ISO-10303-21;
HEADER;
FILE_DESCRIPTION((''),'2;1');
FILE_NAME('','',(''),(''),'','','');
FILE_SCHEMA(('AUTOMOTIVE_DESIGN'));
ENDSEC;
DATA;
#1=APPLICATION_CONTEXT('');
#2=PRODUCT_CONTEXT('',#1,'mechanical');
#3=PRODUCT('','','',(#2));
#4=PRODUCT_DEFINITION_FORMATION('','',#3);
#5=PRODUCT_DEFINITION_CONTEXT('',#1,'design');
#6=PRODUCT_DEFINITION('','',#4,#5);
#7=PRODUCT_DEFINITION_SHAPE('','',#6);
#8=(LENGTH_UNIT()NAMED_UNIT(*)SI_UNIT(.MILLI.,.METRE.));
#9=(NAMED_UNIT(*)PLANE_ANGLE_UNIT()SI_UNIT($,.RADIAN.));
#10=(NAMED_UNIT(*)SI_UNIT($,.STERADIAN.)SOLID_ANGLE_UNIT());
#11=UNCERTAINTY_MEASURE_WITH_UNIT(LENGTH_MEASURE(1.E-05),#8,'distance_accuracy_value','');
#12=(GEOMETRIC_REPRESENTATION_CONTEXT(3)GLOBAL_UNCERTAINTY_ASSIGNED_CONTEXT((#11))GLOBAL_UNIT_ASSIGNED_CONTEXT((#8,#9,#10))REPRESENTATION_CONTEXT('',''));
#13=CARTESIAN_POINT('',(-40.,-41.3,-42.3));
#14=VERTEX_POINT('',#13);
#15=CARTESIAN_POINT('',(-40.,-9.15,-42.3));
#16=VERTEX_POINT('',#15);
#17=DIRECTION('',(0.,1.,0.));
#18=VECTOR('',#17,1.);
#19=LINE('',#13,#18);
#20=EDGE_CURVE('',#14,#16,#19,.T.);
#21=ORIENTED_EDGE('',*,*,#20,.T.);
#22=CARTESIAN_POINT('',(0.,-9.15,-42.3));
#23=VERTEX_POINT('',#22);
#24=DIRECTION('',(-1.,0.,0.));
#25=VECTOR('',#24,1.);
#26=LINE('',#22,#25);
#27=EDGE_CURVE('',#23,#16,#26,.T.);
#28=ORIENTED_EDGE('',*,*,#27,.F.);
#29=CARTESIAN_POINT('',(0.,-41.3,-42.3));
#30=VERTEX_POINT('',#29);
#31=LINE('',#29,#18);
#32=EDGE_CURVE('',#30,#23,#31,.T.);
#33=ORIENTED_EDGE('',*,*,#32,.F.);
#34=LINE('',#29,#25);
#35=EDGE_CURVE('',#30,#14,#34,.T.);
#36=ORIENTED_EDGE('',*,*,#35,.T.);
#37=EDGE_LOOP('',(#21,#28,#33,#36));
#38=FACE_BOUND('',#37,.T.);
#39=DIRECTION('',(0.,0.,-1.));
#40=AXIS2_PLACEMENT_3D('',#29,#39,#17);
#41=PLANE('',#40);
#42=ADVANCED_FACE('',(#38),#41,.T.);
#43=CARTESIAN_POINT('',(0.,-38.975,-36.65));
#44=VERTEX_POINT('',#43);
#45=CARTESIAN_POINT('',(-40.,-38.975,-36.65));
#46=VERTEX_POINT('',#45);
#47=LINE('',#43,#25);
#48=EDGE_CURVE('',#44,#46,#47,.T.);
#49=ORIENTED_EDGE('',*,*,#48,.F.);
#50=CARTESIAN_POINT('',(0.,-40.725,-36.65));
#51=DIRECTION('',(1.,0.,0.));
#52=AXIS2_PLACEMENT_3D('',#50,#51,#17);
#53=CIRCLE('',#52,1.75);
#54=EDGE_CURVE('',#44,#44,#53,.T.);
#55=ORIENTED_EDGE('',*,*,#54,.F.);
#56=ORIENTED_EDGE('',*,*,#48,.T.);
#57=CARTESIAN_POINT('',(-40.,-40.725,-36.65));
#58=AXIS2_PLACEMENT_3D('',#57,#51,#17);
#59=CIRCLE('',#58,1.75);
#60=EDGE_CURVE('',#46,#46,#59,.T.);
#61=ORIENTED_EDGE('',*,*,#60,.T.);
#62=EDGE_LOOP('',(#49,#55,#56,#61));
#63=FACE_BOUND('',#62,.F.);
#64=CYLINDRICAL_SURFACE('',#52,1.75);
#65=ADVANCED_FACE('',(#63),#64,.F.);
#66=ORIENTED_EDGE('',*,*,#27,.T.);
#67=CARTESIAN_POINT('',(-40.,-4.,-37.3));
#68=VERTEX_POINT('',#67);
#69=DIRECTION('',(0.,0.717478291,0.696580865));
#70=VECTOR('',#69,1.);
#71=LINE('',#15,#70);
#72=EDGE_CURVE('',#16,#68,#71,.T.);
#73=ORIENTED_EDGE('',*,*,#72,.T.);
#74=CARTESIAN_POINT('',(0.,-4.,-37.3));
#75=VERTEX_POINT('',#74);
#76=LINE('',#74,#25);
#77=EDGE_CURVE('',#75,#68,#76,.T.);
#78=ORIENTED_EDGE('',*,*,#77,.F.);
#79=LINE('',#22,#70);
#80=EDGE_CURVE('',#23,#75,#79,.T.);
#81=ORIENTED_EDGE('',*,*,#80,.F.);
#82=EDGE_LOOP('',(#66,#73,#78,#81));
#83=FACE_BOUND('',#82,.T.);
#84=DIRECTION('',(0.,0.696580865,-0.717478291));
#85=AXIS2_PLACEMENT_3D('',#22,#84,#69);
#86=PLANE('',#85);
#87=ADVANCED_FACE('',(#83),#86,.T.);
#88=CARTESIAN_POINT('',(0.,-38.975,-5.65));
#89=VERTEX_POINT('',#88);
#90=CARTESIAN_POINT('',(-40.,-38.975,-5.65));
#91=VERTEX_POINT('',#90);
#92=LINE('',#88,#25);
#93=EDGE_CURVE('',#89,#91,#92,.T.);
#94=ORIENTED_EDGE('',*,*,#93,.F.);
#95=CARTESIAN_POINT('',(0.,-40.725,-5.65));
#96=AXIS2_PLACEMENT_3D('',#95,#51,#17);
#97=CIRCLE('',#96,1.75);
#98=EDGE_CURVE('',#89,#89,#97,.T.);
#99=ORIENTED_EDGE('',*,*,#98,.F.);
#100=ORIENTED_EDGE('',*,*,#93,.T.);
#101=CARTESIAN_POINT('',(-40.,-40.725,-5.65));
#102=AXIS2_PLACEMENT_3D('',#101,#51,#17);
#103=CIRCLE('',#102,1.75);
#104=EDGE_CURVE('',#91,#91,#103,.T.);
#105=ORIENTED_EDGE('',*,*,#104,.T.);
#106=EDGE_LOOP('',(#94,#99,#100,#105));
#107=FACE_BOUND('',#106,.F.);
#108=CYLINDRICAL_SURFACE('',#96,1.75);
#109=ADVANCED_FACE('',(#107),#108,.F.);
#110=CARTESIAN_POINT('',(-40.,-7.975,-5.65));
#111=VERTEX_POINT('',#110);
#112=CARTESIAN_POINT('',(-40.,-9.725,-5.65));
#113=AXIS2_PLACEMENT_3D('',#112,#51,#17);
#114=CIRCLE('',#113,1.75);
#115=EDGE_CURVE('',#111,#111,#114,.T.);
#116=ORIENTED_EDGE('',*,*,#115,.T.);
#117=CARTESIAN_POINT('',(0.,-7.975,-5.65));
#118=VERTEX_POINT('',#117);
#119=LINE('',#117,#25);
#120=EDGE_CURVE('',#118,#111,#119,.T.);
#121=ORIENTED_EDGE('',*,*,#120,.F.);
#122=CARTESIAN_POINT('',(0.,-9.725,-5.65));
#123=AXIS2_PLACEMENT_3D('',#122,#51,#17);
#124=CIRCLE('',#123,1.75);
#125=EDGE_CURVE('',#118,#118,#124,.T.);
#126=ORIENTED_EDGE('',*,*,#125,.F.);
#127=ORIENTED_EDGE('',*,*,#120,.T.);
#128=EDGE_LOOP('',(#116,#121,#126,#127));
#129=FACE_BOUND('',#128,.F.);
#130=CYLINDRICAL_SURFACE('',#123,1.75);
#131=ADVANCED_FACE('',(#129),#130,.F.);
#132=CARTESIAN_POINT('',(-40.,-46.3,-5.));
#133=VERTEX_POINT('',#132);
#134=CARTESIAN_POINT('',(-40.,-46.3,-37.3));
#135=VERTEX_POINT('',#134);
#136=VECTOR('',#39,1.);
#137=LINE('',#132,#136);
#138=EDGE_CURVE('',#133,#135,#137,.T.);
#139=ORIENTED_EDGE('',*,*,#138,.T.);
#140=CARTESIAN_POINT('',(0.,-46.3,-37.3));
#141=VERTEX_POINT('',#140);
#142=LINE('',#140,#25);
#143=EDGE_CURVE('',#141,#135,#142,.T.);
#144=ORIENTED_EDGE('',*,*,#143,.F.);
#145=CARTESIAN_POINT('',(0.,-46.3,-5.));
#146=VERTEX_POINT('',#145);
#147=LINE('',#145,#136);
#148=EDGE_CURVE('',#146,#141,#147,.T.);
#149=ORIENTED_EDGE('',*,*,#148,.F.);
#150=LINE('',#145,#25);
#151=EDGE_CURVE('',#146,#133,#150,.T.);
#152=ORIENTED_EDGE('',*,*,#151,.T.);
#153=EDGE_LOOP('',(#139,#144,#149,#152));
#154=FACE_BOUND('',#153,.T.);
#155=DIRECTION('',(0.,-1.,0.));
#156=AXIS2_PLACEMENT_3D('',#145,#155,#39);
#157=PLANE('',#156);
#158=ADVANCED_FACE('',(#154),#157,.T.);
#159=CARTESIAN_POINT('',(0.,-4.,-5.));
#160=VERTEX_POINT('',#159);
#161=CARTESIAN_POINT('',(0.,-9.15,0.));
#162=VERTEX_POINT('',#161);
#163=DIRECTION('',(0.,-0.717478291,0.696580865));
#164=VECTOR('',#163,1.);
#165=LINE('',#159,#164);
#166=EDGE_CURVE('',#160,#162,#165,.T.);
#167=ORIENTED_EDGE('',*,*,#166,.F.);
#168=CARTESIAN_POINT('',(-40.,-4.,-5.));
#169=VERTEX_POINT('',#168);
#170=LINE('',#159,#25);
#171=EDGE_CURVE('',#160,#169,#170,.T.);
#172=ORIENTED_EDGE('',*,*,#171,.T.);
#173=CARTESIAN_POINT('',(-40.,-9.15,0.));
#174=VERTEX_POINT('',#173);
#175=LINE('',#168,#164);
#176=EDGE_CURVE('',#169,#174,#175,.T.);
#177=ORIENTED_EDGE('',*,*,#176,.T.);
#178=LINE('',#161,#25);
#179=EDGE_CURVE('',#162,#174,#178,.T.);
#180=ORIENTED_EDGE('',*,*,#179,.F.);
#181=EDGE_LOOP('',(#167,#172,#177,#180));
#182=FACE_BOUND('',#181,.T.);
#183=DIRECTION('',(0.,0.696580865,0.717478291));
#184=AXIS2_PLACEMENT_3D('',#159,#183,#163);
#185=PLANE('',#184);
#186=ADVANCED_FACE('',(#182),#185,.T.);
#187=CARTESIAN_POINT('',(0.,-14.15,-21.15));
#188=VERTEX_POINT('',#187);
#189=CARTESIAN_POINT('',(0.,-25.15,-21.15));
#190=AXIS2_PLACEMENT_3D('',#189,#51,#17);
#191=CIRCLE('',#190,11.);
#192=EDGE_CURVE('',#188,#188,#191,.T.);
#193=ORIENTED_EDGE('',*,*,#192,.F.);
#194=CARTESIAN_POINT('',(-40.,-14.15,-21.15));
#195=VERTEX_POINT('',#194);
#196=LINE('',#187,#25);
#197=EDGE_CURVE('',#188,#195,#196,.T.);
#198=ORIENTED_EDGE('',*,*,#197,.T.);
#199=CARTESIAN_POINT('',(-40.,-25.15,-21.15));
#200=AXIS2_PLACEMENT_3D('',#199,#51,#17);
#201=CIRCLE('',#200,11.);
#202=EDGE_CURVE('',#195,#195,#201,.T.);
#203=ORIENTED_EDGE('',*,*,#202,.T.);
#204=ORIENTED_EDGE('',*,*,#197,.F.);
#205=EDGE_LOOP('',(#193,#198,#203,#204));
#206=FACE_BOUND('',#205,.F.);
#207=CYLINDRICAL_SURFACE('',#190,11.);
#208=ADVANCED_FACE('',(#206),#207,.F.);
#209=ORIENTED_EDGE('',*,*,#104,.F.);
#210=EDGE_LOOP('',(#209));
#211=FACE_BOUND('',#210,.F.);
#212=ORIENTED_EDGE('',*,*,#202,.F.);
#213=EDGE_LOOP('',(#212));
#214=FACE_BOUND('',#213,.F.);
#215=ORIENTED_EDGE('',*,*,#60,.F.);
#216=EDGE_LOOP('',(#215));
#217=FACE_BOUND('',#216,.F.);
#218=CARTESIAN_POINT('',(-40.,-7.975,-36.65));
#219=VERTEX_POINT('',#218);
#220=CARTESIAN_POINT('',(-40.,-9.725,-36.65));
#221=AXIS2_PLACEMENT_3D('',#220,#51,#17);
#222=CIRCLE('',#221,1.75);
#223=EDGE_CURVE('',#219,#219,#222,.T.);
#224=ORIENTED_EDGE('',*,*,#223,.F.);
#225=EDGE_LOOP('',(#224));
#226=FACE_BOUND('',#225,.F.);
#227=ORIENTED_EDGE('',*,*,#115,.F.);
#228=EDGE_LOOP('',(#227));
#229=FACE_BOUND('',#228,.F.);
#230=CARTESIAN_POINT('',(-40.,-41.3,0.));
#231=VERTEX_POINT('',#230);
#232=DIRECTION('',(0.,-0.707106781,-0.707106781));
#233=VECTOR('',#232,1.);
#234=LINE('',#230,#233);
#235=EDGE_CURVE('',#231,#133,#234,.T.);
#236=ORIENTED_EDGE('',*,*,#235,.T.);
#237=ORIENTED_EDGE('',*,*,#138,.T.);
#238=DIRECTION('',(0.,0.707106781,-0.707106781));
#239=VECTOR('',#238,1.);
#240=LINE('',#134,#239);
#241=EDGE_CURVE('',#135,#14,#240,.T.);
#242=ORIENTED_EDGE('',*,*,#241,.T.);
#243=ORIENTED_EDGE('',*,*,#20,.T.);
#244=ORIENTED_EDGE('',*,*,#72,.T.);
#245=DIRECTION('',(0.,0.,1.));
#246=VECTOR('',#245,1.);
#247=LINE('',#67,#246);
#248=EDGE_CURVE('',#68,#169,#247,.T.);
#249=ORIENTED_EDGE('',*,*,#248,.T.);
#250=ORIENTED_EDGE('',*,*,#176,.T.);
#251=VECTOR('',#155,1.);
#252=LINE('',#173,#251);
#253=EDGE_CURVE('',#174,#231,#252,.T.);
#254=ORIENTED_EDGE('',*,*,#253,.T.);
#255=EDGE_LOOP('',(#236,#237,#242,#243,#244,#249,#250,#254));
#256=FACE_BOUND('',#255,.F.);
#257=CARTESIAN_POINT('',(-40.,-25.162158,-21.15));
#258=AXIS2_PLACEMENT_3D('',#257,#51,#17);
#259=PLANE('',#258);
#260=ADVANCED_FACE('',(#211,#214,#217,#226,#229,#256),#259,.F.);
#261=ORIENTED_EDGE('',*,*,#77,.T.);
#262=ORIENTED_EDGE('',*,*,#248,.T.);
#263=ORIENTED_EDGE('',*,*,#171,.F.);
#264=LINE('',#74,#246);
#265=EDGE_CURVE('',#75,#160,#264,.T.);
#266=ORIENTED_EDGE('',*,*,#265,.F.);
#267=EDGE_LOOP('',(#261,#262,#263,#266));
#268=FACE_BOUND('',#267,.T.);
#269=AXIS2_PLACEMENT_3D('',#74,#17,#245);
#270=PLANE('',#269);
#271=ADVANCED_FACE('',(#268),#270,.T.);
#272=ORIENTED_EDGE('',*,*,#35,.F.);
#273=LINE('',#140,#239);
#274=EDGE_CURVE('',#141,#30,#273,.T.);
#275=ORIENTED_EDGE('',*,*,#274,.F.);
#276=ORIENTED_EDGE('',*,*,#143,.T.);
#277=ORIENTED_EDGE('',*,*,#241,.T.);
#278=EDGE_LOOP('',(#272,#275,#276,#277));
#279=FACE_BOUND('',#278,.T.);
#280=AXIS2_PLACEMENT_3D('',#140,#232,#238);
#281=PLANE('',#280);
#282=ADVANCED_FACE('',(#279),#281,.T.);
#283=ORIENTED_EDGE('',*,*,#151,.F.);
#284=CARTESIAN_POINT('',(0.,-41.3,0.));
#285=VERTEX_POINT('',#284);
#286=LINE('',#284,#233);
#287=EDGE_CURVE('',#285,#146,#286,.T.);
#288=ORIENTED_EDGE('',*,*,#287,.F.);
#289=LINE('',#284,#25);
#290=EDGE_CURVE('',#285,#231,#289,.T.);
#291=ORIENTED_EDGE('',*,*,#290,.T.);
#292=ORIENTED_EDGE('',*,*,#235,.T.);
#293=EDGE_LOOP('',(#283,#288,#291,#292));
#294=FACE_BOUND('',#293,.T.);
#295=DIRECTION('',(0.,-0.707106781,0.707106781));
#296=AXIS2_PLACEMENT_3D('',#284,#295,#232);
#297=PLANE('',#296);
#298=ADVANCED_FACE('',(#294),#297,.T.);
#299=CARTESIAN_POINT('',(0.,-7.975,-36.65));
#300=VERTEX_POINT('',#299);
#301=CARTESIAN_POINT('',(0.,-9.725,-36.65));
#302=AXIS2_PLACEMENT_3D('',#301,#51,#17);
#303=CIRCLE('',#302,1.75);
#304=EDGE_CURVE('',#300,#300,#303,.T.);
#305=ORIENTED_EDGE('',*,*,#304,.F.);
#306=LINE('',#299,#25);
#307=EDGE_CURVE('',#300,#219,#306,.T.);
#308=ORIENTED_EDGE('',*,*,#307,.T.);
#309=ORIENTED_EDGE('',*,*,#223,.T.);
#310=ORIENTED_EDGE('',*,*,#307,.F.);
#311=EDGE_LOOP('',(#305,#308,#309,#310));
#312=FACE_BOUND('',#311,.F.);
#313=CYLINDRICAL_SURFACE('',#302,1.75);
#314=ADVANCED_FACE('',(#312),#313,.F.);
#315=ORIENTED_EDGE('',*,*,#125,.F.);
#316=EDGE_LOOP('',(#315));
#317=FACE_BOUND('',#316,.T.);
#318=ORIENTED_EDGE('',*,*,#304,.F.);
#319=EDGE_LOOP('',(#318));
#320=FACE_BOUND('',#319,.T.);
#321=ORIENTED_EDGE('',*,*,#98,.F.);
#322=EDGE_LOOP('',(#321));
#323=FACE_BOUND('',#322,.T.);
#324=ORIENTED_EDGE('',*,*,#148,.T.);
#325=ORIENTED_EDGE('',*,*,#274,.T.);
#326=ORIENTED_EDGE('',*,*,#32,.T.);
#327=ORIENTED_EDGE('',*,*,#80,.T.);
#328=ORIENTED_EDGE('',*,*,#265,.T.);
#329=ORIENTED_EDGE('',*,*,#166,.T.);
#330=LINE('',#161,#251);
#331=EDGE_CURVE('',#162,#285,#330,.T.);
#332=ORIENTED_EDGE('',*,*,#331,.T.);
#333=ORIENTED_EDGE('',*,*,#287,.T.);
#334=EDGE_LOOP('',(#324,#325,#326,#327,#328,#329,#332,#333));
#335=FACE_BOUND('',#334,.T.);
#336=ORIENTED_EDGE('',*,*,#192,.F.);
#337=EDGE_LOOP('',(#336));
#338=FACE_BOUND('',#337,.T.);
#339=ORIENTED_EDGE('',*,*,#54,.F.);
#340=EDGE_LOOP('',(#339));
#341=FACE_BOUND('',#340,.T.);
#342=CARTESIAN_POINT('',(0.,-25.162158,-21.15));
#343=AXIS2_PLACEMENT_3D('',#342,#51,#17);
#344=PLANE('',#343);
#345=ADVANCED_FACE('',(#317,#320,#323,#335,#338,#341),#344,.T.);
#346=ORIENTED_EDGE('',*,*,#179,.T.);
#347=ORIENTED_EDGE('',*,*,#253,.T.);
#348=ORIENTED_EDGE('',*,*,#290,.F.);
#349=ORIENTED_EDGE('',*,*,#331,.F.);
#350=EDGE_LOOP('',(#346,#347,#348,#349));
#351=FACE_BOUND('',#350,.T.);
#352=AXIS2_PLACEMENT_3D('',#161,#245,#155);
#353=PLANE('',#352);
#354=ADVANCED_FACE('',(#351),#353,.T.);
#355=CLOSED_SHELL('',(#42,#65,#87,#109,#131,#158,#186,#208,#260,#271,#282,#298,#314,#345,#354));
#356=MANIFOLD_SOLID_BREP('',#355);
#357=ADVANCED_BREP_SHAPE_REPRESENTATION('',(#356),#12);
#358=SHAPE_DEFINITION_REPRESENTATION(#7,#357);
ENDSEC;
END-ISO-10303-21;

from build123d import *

# Parameters (mm, degrees)
F0_R     = 1.75
F0_R_2   = 11
F1_DEPTH = 40


with BuildPart() as f1:
    # F0 (on Right) → F1 (new body)
    with BuildSketch(Plane.YZ):
        Polygon((-46.3, -37.3), (-41.3, -42.3), (-9.15, -42.3), (-4, -37.3), (-4, -5), (-9.15, 0), (-41.3, 0), (-46.3, -5), align=None)
        with Locations((-40.725, -36.65)):
            Circle(F0_R, mode=Mode.SUBTRACT)
        with Locations((-9.725, -36.65)):
            Circle(F0_R, mode=Mode.SUBTRACT)
        with Locations((-40.725, -5.65)):
            Circle(F0_R, mode=Mode.SUBTRACT)
        with Locations((-25.15, -21.15)):
            Circle(F0_R_2, mode=Mode.SUBTRACT)
        with Locations((-9.725, -5.65)):
            Circle(F0_R, mode=Mode.SUBTRACT)
    extrude(amount=-F1_DEPTH)


solid = f1.part
